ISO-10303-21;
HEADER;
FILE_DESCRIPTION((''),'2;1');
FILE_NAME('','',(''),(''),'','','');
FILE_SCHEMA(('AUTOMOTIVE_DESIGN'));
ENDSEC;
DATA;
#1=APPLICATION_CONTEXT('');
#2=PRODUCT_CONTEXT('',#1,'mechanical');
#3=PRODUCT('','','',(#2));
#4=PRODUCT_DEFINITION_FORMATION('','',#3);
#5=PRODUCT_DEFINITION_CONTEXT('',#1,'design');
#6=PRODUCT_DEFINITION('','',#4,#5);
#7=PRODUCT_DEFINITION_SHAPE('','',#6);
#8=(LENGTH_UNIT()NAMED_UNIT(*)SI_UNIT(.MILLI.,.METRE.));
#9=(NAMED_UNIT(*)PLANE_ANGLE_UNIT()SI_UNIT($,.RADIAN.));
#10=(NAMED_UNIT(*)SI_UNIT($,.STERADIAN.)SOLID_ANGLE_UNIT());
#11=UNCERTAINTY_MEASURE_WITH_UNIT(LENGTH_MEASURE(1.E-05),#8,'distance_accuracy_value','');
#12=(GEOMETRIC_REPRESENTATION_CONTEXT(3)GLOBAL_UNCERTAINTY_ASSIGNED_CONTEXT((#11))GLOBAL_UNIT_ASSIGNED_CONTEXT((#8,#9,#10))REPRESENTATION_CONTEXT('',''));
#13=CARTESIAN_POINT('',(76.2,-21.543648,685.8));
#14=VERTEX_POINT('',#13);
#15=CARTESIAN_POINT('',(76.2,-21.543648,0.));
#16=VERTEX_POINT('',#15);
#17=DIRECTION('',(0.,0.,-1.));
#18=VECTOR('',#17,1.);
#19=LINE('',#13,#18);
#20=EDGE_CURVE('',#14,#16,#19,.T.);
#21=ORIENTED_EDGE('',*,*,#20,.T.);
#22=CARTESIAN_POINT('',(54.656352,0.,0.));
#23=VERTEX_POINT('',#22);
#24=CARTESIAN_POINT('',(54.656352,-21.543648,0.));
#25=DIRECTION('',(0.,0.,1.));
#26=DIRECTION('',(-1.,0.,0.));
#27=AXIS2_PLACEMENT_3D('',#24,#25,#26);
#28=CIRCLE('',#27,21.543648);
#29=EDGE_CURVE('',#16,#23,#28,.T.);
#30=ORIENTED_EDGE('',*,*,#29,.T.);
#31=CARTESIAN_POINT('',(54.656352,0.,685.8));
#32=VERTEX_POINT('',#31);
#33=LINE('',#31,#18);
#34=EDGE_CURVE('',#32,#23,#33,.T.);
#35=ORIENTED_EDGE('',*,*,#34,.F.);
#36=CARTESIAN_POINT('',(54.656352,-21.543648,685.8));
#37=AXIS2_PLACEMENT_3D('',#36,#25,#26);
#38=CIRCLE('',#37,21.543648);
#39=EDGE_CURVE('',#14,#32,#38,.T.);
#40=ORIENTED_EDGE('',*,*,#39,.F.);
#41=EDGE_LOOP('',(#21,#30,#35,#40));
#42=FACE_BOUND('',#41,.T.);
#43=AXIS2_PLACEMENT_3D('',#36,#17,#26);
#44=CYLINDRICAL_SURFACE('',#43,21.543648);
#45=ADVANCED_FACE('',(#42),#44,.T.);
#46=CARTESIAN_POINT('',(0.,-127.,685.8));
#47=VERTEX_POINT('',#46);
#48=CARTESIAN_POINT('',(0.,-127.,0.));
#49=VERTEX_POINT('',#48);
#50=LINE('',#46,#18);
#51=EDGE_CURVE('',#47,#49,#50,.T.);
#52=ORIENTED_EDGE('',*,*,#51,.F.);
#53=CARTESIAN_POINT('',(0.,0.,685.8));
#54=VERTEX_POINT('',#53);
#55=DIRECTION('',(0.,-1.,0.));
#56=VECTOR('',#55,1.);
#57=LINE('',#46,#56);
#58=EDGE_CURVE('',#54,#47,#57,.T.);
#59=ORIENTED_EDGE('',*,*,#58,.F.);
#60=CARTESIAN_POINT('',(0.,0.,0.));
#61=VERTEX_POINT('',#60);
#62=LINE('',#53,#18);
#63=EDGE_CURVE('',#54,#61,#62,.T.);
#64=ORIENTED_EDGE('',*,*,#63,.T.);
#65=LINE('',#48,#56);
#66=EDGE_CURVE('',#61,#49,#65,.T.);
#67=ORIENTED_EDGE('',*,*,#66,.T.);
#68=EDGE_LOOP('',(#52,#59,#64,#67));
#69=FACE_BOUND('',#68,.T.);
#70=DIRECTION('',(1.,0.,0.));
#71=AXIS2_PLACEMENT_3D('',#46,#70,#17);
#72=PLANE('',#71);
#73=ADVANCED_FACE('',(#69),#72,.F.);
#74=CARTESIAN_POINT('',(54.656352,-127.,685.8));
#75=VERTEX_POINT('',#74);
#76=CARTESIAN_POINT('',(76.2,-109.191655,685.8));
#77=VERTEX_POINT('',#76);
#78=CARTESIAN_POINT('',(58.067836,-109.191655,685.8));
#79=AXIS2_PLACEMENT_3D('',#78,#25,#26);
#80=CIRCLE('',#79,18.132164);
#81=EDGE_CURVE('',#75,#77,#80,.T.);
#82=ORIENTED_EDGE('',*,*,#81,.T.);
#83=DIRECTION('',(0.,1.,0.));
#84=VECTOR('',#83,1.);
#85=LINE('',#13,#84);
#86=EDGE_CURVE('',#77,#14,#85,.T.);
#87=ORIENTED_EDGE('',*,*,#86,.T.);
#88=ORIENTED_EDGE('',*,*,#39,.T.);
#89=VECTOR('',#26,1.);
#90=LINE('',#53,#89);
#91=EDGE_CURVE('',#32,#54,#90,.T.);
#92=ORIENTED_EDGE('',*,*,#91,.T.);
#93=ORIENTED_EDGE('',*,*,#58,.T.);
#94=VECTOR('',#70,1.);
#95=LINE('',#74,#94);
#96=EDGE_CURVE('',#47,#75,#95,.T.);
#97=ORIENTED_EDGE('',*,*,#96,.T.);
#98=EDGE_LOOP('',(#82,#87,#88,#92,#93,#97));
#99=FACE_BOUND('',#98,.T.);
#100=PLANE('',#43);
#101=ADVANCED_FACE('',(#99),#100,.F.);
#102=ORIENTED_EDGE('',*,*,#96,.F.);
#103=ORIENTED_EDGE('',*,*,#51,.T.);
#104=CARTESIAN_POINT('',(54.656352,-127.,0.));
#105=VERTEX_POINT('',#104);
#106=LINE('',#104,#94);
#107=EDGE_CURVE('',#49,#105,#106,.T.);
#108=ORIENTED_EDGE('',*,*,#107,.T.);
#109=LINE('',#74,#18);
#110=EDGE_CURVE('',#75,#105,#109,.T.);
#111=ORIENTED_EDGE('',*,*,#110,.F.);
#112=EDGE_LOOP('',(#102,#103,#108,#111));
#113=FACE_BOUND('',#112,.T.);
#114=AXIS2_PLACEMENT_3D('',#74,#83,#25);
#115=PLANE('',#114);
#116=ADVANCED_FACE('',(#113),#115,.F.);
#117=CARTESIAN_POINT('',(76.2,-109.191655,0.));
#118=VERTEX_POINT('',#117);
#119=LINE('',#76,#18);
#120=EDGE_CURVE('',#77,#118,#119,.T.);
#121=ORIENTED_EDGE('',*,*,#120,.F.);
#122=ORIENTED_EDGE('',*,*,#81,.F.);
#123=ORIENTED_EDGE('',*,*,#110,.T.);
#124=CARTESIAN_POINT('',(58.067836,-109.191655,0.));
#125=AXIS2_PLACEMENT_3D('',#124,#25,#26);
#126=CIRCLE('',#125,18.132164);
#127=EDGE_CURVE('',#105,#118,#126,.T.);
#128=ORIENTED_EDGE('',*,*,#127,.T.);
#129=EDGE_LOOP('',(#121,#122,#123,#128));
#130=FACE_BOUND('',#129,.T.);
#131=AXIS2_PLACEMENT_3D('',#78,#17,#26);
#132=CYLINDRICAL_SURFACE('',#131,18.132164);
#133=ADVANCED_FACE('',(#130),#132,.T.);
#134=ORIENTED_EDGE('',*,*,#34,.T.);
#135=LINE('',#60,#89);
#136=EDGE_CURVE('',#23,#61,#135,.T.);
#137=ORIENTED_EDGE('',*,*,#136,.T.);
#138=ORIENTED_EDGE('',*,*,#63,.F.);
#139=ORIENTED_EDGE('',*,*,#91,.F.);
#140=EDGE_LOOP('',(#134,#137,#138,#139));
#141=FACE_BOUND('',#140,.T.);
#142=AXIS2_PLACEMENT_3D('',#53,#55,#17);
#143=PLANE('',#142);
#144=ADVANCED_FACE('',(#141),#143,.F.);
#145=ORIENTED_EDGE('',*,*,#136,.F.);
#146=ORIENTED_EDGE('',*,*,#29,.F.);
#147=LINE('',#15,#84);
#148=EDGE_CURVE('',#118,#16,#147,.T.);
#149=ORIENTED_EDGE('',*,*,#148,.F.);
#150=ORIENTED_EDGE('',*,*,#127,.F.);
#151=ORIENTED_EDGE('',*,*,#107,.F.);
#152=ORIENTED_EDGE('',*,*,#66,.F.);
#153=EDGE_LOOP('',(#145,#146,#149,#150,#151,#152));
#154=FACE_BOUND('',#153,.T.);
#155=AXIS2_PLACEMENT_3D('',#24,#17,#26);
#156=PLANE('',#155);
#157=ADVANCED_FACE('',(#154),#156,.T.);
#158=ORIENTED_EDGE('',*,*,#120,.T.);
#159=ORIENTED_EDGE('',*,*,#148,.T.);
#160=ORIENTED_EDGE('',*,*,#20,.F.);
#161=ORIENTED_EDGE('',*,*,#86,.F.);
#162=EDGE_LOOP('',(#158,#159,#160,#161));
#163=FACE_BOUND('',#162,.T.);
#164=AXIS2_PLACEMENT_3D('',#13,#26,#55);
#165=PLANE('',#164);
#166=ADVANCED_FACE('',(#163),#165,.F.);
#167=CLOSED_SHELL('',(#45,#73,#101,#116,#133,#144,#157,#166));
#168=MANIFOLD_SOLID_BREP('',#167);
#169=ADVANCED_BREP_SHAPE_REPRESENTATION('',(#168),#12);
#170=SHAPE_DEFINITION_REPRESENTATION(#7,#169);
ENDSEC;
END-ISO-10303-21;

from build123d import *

# Parameters (mm, degrees)
BOSS_EXTRUDE1_DEPTH = 685.8


with BuildPart() as part:
    # Sketch1 → Boss-Extrude1 (new body)
    with BuildSketch(Plane.XY):
        with BuildLine():
            Line((0, 0), (54.656352176, 0))
            ThreePointArc((54.656352176, 0), (69.890011644, -6.309988356), (76.2, -21.543647824))
            Line((76.2, -21.543647824), (76.2, -109.19165458))
            ThreePointArc((76.2, -109.19165458), (69.620277063, -123.167221904), (54.656352176, -127))
            Line((54.656352176, -127), (0, -127))
            Line((0, -127), (0, 0))
        make_face()
    extrude(amount=BOSS_EXTRUDE1_DEPTH)


solid = part.part
